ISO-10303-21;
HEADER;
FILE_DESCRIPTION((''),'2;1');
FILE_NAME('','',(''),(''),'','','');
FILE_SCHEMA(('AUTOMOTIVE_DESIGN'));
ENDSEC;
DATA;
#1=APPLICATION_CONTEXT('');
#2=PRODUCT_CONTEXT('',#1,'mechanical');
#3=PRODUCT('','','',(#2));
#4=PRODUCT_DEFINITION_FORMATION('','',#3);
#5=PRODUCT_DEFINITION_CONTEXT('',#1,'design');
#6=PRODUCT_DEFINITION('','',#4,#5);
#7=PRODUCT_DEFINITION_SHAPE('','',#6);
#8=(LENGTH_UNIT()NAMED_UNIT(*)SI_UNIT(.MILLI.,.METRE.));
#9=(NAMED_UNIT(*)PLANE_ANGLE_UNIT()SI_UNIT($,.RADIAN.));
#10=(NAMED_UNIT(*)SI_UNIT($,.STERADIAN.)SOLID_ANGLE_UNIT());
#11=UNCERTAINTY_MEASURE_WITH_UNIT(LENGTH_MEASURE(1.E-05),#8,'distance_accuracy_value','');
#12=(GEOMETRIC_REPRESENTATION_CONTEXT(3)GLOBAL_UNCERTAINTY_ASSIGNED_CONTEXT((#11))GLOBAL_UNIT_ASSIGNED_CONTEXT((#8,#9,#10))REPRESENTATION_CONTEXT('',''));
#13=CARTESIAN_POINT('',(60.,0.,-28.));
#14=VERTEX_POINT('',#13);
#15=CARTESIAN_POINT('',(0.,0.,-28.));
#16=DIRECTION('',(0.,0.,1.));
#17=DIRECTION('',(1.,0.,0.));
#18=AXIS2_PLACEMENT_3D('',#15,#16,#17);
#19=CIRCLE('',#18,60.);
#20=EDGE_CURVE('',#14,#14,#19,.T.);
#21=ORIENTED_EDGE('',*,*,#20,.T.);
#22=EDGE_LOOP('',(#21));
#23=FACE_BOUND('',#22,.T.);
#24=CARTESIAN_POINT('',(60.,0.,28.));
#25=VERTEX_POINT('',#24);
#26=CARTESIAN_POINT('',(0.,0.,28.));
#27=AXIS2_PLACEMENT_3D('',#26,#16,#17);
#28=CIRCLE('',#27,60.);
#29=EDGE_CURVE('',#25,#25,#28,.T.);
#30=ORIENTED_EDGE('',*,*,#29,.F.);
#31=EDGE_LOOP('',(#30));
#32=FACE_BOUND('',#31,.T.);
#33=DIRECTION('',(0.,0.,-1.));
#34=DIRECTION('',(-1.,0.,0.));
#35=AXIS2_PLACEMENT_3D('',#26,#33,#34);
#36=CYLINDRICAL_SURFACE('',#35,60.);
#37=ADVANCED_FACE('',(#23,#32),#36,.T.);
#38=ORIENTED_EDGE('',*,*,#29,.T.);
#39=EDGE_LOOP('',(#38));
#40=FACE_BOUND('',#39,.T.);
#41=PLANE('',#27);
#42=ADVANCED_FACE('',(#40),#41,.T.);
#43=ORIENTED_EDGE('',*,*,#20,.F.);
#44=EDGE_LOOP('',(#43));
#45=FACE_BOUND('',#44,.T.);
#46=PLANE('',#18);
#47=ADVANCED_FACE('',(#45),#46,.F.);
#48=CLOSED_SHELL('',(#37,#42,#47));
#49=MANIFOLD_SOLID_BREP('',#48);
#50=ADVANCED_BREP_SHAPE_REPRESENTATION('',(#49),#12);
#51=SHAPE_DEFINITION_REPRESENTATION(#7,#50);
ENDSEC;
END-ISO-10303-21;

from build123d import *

# Parameters (mm, degrees)
SKETCH_1_R      = 60
EXTRUDE_1_DEPTH = 28


with BuildPart() as part:
    # 草图1 → 凸台-拉伸1 (new, symmetric)
    with BuildSketch(Plane.XY):
        Circle(SKETCH_1_R)
    extrude(amount=EXTRUDE_1_DEPTH, both=True)


solid = part.part
